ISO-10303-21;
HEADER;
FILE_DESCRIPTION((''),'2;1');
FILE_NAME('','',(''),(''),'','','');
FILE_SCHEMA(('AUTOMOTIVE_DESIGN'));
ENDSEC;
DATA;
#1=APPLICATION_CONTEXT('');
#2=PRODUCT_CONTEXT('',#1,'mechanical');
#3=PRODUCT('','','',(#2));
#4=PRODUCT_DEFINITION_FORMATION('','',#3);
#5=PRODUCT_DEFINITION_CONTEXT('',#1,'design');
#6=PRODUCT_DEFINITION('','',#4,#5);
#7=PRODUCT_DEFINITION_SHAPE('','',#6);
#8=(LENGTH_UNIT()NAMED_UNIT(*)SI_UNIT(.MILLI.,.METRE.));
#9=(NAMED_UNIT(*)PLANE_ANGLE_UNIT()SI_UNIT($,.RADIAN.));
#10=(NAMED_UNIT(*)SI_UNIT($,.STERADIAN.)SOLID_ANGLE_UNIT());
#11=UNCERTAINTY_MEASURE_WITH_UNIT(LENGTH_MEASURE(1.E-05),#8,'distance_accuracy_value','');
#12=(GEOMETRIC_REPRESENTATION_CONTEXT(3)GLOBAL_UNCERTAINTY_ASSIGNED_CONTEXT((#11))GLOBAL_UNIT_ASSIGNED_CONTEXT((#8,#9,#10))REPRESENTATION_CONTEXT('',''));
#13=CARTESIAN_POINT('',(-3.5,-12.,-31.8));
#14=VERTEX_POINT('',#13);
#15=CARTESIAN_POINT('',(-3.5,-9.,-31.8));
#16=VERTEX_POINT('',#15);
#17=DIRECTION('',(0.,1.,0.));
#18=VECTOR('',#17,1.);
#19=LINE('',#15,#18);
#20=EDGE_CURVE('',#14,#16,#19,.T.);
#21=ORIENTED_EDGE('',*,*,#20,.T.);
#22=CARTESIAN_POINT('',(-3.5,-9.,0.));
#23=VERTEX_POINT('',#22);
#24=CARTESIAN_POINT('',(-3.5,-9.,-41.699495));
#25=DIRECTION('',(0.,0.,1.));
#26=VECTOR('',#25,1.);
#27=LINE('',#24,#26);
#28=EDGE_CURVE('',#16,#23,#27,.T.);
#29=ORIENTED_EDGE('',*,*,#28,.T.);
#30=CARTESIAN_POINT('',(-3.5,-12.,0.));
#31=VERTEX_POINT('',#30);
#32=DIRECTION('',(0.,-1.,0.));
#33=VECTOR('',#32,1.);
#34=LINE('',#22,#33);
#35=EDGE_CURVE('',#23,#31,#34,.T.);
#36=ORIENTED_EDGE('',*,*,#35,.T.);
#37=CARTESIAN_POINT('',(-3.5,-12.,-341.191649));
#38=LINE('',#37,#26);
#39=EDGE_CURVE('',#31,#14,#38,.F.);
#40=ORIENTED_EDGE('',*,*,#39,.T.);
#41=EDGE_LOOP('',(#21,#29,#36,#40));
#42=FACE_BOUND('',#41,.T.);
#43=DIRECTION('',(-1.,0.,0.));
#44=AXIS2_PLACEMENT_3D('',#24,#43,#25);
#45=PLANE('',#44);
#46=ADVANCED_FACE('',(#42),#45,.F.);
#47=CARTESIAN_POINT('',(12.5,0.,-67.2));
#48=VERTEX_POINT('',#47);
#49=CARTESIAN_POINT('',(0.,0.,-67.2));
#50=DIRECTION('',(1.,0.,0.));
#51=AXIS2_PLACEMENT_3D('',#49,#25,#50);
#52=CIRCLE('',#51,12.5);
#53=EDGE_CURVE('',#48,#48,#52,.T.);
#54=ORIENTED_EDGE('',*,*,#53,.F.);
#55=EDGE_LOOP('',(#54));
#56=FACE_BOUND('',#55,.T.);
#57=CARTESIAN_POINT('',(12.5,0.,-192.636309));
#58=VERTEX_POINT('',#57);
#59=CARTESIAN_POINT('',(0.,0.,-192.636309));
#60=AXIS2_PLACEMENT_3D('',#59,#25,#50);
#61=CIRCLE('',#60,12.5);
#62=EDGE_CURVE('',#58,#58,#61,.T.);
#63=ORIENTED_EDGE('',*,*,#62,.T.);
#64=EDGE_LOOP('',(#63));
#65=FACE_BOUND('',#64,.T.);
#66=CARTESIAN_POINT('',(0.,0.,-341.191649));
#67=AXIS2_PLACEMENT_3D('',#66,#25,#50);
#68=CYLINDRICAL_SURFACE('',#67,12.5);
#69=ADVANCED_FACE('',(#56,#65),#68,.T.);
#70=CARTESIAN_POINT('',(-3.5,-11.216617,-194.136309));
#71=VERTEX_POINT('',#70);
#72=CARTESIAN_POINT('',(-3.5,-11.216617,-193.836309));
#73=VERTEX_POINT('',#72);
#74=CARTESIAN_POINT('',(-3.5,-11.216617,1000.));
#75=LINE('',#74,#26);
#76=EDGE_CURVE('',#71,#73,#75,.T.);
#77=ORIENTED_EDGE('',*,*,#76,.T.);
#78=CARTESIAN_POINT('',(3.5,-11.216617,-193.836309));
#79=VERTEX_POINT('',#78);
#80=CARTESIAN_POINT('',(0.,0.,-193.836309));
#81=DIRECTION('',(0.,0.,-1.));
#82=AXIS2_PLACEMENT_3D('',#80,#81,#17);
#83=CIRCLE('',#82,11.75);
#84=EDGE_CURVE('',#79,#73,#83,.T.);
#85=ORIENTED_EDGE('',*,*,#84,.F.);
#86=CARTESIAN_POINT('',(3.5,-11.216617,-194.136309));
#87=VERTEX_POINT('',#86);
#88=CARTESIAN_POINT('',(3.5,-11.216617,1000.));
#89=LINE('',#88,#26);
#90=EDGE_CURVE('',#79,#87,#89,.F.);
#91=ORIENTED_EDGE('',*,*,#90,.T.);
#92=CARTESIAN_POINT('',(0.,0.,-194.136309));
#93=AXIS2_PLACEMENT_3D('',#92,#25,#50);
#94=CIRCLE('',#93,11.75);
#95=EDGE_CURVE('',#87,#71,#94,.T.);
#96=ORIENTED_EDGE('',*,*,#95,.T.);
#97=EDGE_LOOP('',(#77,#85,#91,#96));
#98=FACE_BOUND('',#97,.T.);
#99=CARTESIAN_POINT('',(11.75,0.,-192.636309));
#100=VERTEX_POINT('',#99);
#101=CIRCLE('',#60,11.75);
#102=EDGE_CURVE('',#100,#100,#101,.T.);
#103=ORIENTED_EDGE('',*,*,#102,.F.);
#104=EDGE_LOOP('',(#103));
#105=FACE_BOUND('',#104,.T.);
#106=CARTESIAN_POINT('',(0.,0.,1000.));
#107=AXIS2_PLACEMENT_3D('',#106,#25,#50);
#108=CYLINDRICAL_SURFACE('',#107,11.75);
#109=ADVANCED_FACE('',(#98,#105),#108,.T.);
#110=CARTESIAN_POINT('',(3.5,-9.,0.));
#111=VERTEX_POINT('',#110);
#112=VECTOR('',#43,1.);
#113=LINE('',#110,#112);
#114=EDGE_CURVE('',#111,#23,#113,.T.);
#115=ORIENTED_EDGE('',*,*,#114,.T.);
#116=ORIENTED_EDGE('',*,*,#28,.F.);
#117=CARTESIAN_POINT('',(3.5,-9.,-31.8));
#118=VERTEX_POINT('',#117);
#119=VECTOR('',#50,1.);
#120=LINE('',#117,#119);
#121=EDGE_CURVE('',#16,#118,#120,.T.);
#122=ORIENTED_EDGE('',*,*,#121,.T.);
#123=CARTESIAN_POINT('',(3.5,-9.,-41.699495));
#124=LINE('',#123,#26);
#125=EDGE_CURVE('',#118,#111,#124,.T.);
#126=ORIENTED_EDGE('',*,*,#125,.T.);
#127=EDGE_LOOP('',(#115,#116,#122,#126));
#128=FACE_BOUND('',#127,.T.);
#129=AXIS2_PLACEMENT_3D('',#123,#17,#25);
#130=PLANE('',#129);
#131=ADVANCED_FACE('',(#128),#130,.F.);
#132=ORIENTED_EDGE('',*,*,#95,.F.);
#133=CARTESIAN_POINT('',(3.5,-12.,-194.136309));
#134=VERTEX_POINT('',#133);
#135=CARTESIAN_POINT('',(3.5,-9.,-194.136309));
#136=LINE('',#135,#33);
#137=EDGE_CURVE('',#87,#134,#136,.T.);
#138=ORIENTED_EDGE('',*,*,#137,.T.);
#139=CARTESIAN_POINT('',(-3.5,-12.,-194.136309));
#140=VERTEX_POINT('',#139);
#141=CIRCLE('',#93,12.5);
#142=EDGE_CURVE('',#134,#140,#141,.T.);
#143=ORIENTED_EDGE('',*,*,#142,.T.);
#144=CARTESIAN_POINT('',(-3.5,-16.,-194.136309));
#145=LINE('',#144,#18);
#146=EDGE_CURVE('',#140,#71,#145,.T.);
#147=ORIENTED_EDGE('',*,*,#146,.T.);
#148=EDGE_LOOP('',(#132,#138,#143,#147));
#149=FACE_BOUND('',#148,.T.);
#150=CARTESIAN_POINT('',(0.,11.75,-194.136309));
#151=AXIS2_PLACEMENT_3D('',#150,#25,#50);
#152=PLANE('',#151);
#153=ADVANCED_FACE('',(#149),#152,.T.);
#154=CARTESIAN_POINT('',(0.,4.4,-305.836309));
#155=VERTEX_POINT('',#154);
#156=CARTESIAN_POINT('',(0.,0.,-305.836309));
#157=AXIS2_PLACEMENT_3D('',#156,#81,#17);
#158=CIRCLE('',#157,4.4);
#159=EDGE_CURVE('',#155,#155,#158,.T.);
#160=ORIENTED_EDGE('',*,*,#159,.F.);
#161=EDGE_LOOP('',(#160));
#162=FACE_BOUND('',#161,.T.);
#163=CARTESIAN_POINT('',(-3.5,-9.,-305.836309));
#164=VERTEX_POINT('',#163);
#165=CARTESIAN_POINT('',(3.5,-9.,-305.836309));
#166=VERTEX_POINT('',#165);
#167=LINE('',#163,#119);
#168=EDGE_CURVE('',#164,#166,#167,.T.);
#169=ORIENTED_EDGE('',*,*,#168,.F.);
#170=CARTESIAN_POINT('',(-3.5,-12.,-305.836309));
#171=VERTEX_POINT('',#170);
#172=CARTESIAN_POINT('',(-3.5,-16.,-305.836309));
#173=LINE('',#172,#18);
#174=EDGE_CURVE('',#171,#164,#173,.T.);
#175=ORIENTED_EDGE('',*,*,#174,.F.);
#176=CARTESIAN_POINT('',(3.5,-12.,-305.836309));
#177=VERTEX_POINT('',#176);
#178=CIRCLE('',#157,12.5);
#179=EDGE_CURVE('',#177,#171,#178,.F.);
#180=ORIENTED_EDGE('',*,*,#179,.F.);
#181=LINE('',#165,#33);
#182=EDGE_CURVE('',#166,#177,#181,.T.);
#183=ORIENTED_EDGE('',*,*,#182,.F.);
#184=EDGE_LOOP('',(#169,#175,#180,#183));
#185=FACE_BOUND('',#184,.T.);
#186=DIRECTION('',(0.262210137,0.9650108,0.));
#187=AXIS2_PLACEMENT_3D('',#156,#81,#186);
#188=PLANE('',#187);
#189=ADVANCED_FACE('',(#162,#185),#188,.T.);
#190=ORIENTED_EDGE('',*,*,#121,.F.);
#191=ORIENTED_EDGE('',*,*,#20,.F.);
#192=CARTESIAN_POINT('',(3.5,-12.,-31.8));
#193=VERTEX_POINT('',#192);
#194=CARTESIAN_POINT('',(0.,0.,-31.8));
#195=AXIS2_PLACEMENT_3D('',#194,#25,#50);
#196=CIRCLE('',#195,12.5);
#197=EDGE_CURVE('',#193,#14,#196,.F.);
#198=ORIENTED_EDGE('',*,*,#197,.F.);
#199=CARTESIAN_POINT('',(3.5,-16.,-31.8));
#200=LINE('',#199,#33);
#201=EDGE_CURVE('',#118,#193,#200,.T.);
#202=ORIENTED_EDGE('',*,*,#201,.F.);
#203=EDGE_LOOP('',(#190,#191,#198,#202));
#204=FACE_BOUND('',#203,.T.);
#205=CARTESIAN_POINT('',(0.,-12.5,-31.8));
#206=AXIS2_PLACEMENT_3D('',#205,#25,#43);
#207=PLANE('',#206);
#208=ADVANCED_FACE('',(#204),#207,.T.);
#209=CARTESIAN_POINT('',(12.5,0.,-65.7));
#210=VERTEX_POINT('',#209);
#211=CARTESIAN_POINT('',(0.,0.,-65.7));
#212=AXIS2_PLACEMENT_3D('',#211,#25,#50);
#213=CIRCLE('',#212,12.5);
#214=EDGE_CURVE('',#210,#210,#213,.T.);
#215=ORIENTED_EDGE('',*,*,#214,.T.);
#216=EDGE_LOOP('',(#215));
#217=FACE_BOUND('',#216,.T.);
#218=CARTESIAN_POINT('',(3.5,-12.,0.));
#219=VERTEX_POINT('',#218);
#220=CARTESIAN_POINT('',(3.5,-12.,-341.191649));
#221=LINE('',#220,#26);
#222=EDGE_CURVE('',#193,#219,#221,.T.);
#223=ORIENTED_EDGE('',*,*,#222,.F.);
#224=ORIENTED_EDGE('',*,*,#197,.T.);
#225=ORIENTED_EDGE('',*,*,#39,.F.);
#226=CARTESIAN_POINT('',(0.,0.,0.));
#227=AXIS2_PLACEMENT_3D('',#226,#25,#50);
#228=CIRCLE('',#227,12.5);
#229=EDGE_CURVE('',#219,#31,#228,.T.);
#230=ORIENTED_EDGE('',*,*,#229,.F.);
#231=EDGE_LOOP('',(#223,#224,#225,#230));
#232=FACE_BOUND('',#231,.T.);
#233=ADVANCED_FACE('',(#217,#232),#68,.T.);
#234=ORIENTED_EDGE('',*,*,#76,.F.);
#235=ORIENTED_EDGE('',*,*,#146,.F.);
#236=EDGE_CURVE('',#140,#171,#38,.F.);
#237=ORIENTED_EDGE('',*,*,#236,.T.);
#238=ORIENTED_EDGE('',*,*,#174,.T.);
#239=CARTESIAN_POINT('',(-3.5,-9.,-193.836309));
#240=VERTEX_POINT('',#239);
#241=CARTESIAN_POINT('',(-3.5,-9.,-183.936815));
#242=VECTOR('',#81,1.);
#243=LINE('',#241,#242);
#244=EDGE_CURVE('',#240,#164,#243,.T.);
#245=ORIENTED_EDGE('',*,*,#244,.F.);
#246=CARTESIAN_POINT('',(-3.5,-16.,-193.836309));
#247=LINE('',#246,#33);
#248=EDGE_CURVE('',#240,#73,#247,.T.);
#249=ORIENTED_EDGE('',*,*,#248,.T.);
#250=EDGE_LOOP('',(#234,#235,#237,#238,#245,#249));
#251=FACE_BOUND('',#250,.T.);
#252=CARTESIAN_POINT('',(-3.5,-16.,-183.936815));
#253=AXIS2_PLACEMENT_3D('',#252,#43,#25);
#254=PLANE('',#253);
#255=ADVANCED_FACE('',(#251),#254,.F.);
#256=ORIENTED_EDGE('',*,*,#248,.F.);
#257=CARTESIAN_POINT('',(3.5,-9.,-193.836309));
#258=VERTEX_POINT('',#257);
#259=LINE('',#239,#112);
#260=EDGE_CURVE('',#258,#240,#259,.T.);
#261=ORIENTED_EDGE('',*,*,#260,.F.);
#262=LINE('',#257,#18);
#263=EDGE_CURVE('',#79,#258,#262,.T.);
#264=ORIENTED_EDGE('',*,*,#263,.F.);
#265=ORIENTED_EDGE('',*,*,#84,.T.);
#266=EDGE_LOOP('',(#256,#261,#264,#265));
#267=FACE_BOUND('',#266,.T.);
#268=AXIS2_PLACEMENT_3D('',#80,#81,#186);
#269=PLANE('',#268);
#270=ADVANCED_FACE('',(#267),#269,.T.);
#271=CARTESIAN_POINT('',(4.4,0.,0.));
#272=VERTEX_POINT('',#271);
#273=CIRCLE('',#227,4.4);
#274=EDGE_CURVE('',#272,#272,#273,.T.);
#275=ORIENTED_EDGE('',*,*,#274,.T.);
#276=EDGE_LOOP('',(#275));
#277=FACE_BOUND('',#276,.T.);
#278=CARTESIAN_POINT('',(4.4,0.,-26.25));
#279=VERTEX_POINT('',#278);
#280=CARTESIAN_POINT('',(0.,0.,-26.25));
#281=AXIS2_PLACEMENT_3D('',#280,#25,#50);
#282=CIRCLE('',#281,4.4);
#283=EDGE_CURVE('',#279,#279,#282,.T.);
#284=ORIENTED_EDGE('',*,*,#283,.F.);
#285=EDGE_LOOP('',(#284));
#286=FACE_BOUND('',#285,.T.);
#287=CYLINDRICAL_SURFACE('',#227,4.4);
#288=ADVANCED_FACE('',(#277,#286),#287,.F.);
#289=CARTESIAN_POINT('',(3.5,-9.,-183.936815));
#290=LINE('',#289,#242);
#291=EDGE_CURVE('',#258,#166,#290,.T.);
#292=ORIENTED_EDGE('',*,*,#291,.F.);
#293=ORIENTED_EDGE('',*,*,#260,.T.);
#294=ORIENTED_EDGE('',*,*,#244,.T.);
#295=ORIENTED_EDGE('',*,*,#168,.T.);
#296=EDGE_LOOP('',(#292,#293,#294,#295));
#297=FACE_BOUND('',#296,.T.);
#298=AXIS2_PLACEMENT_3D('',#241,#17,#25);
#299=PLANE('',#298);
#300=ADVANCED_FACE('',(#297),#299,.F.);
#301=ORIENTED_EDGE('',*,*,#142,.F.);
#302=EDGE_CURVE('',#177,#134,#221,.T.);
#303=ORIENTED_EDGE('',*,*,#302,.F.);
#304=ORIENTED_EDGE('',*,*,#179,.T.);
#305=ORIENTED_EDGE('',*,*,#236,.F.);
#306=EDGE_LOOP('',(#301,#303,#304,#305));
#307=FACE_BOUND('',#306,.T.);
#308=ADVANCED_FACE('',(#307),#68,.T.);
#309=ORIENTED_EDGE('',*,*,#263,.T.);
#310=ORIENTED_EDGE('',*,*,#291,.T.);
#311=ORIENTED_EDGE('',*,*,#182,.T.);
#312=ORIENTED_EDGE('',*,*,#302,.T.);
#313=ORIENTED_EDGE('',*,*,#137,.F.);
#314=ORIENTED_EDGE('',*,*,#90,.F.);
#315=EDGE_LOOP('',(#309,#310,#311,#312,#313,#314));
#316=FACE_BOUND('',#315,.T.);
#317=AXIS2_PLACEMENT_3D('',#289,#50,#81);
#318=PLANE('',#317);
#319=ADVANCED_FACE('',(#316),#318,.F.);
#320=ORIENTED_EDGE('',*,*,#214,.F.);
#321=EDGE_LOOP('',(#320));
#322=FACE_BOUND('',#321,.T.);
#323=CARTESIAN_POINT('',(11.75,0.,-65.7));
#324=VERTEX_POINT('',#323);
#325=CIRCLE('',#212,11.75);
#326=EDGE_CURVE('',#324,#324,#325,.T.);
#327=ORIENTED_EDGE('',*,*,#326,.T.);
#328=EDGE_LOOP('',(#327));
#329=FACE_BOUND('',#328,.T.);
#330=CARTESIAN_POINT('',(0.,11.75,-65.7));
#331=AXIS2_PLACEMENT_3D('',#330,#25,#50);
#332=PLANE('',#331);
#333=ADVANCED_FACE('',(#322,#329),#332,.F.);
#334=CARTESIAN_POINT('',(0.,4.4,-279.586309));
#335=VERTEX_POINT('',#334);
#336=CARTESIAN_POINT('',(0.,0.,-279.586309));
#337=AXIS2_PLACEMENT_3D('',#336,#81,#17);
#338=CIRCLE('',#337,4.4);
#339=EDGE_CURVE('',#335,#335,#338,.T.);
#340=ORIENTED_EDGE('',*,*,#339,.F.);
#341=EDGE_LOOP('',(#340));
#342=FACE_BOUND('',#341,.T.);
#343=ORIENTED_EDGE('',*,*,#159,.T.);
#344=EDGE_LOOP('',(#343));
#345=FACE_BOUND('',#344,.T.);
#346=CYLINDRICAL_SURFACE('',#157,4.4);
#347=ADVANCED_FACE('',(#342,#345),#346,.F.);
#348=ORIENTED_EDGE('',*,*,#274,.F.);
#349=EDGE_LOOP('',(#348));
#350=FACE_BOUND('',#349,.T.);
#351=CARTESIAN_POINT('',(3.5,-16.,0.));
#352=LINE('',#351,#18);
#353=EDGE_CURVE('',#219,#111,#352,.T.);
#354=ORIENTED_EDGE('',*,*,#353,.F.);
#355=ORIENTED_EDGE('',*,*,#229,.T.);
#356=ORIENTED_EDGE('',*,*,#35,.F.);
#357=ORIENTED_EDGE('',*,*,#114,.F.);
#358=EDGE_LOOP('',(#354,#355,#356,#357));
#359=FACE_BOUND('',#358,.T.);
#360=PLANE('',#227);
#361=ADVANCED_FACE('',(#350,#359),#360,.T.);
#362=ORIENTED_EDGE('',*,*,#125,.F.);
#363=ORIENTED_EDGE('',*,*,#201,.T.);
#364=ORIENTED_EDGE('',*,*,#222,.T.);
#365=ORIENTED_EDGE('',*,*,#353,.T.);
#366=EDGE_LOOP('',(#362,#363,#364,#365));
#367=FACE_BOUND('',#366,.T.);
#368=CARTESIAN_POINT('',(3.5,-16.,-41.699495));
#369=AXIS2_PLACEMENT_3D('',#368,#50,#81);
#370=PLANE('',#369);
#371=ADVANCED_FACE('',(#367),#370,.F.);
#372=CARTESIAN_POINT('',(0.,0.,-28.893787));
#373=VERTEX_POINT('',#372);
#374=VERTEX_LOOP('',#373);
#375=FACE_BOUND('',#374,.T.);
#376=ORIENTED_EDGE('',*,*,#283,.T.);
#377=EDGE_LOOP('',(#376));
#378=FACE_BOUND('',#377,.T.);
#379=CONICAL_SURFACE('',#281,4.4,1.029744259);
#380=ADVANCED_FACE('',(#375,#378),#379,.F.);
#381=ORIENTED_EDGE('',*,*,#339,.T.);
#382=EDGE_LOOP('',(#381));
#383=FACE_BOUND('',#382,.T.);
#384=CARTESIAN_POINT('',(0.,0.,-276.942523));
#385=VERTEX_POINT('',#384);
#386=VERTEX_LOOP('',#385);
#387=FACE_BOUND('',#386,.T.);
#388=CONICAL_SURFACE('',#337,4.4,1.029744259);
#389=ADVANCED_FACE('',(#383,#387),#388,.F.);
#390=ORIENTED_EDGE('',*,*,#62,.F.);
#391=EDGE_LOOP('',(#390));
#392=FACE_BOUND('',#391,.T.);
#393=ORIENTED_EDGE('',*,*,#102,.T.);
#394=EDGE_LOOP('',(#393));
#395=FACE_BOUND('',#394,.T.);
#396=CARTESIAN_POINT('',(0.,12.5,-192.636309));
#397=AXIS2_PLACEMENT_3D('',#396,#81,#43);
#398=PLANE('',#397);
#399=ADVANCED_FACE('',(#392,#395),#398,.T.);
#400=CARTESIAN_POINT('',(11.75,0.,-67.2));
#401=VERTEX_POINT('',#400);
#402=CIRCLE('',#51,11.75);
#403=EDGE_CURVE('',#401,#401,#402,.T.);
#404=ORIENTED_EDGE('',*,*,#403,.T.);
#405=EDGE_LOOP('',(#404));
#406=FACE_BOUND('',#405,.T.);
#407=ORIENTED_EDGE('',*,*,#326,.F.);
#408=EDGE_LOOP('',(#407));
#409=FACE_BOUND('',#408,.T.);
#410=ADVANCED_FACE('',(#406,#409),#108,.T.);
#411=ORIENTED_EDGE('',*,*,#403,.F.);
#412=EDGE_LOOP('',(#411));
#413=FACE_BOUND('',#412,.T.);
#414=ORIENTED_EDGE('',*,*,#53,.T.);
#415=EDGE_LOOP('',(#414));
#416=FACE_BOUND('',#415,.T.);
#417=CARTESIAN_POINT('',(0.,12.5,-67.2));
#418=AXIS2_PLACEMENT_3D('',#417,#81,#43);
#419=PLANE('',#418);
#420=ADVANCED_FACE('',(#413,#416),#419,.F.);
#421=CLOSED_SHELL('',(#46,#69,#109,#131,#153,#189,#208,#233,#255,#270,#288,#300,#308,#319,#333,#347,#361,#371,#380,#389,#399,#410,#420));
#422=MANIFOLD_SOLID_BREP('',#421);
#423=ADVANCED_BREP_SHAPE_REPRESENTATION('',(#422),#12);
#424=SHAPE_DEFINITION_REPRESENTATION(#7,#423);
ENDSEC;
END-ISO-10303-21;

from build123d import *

# Parameters (mm, degrees)
SKETCH_1_R          = 12.5
EXTRUDE_1_DEPTH     = 305.836309
CUT_EXTRUDE_START   = -31.8
SKETCH_2_W          = 7
SKETCH_2_H          = 7
CUT_EXTRUDE_1_DEPTH = 31.8
CUT_EXTRUDE_START_2 = -112
SKETCH_3_W          = 7
SKETCH_3_H          = 7
CUT_EXTRUDE_2_DEPTH = 112
M10X1_251_D         = 8.8
M10X1_251_DEPTH     = 26.25
M10X1_251_TIP       = 2.643786724
M10X1_252_D         = 8.8
M10X1_252_DEPTH     = 26.25
M10X1_252_TIP       = 2.643786724
SKETCH_8_W          = 1.5
SKETCH_8_H          = 0.75


with BuildPart() as part:
    # Эскиз1 → Бобышка-Вытянуть1 (new body)
    with BuildSketch(Plane.XY):
        Circle(SKETCH_1_R)
    extrude(amount=-EXTRUDE_1_DEPTH)

    # Эскиз2 → Вырез-Вытянуть1 (cut)
    with BuildSketch(Plane.XY.offset(CUT_EXTRUDE_START)):
        with Locations((0, -12.5)):
            Rectangle(SKETCH_2_W, SKETCH_2_H)
    extrude(amount=CUT_EXTRUDE_1_DEPTH, mode=Mode.SUBTRACT)

    # Эскиз3 → Вырез-Вытянуть2 (cut)
    with BuildSketch(Plane(origin=(0, 0, -305.836309448), x_dir=(-1, 0, 0), z_dir=(0, 0, -1)).offset(CUT_EXTRUDE_START_2)):
        with Locations((0, -12.5)):
            Rectangle(SKETCH_3_W, SKETCH_3_H)
    extrude(amount=CUT_EXTRUDE_2_DEPTH, mode=Mode.SUBTRACT)

    # Отверстие обработанное метчиком M10x1.251
    with Locations(Plane.XY):
        with Locations((0, 0)):
            Hole(M10X1_251_D / 2, depth=M10X1_251_DEPTH)
            with Locations((0, 0, -(M10X1_251_DEPTH + M10X1_251_TIP / 2))):  # 118° drill point
                Cone(0, M10X1_251_D / 2, M10X1_251_TIP, mode=Mode.SUBTRACT)

    # Отверстие обработанное метчиком M10x1.252
    with Locations(Plane(origin=(0, 0, -305.836309448), x_dir=(-1, 0, 0), z_dir=(0, 0, -1))):
        with Locations((0, 0)):
            Hole(M10X1_252_D / 2, depth=M10X1_252_DEPTH)
            with Locations((0, 0, -(M10X1_252_DEPTH + M10X1_252_TIP / 2))):  # 118° drill point
                Cone(0, M10X1_252_D / 2, M10X1_252_TIP, mode=Mode.SUBTRACT)

    # Эскиз8 → Вырез-Повернуть1 (revolve, cut)
    with BuildSketch(Plane(origin=(0, 0, 0), x_dir=(0, 0, -1), z_dir=(1, 0, 0))):
        with Locations((66.45, 12.125)):
            Rectangle(SKETCH_8_W, SKETCH_8_H)
        with Locations((193.386309448, 12.125)):
            Rectangle(SKETCH_8_W, SKETCH_8_H)
    revolve(axis=Axis((0, 0, 1000), (0, 0, -1)), mode=Mode.SUBTRACT)


solid = part.part
